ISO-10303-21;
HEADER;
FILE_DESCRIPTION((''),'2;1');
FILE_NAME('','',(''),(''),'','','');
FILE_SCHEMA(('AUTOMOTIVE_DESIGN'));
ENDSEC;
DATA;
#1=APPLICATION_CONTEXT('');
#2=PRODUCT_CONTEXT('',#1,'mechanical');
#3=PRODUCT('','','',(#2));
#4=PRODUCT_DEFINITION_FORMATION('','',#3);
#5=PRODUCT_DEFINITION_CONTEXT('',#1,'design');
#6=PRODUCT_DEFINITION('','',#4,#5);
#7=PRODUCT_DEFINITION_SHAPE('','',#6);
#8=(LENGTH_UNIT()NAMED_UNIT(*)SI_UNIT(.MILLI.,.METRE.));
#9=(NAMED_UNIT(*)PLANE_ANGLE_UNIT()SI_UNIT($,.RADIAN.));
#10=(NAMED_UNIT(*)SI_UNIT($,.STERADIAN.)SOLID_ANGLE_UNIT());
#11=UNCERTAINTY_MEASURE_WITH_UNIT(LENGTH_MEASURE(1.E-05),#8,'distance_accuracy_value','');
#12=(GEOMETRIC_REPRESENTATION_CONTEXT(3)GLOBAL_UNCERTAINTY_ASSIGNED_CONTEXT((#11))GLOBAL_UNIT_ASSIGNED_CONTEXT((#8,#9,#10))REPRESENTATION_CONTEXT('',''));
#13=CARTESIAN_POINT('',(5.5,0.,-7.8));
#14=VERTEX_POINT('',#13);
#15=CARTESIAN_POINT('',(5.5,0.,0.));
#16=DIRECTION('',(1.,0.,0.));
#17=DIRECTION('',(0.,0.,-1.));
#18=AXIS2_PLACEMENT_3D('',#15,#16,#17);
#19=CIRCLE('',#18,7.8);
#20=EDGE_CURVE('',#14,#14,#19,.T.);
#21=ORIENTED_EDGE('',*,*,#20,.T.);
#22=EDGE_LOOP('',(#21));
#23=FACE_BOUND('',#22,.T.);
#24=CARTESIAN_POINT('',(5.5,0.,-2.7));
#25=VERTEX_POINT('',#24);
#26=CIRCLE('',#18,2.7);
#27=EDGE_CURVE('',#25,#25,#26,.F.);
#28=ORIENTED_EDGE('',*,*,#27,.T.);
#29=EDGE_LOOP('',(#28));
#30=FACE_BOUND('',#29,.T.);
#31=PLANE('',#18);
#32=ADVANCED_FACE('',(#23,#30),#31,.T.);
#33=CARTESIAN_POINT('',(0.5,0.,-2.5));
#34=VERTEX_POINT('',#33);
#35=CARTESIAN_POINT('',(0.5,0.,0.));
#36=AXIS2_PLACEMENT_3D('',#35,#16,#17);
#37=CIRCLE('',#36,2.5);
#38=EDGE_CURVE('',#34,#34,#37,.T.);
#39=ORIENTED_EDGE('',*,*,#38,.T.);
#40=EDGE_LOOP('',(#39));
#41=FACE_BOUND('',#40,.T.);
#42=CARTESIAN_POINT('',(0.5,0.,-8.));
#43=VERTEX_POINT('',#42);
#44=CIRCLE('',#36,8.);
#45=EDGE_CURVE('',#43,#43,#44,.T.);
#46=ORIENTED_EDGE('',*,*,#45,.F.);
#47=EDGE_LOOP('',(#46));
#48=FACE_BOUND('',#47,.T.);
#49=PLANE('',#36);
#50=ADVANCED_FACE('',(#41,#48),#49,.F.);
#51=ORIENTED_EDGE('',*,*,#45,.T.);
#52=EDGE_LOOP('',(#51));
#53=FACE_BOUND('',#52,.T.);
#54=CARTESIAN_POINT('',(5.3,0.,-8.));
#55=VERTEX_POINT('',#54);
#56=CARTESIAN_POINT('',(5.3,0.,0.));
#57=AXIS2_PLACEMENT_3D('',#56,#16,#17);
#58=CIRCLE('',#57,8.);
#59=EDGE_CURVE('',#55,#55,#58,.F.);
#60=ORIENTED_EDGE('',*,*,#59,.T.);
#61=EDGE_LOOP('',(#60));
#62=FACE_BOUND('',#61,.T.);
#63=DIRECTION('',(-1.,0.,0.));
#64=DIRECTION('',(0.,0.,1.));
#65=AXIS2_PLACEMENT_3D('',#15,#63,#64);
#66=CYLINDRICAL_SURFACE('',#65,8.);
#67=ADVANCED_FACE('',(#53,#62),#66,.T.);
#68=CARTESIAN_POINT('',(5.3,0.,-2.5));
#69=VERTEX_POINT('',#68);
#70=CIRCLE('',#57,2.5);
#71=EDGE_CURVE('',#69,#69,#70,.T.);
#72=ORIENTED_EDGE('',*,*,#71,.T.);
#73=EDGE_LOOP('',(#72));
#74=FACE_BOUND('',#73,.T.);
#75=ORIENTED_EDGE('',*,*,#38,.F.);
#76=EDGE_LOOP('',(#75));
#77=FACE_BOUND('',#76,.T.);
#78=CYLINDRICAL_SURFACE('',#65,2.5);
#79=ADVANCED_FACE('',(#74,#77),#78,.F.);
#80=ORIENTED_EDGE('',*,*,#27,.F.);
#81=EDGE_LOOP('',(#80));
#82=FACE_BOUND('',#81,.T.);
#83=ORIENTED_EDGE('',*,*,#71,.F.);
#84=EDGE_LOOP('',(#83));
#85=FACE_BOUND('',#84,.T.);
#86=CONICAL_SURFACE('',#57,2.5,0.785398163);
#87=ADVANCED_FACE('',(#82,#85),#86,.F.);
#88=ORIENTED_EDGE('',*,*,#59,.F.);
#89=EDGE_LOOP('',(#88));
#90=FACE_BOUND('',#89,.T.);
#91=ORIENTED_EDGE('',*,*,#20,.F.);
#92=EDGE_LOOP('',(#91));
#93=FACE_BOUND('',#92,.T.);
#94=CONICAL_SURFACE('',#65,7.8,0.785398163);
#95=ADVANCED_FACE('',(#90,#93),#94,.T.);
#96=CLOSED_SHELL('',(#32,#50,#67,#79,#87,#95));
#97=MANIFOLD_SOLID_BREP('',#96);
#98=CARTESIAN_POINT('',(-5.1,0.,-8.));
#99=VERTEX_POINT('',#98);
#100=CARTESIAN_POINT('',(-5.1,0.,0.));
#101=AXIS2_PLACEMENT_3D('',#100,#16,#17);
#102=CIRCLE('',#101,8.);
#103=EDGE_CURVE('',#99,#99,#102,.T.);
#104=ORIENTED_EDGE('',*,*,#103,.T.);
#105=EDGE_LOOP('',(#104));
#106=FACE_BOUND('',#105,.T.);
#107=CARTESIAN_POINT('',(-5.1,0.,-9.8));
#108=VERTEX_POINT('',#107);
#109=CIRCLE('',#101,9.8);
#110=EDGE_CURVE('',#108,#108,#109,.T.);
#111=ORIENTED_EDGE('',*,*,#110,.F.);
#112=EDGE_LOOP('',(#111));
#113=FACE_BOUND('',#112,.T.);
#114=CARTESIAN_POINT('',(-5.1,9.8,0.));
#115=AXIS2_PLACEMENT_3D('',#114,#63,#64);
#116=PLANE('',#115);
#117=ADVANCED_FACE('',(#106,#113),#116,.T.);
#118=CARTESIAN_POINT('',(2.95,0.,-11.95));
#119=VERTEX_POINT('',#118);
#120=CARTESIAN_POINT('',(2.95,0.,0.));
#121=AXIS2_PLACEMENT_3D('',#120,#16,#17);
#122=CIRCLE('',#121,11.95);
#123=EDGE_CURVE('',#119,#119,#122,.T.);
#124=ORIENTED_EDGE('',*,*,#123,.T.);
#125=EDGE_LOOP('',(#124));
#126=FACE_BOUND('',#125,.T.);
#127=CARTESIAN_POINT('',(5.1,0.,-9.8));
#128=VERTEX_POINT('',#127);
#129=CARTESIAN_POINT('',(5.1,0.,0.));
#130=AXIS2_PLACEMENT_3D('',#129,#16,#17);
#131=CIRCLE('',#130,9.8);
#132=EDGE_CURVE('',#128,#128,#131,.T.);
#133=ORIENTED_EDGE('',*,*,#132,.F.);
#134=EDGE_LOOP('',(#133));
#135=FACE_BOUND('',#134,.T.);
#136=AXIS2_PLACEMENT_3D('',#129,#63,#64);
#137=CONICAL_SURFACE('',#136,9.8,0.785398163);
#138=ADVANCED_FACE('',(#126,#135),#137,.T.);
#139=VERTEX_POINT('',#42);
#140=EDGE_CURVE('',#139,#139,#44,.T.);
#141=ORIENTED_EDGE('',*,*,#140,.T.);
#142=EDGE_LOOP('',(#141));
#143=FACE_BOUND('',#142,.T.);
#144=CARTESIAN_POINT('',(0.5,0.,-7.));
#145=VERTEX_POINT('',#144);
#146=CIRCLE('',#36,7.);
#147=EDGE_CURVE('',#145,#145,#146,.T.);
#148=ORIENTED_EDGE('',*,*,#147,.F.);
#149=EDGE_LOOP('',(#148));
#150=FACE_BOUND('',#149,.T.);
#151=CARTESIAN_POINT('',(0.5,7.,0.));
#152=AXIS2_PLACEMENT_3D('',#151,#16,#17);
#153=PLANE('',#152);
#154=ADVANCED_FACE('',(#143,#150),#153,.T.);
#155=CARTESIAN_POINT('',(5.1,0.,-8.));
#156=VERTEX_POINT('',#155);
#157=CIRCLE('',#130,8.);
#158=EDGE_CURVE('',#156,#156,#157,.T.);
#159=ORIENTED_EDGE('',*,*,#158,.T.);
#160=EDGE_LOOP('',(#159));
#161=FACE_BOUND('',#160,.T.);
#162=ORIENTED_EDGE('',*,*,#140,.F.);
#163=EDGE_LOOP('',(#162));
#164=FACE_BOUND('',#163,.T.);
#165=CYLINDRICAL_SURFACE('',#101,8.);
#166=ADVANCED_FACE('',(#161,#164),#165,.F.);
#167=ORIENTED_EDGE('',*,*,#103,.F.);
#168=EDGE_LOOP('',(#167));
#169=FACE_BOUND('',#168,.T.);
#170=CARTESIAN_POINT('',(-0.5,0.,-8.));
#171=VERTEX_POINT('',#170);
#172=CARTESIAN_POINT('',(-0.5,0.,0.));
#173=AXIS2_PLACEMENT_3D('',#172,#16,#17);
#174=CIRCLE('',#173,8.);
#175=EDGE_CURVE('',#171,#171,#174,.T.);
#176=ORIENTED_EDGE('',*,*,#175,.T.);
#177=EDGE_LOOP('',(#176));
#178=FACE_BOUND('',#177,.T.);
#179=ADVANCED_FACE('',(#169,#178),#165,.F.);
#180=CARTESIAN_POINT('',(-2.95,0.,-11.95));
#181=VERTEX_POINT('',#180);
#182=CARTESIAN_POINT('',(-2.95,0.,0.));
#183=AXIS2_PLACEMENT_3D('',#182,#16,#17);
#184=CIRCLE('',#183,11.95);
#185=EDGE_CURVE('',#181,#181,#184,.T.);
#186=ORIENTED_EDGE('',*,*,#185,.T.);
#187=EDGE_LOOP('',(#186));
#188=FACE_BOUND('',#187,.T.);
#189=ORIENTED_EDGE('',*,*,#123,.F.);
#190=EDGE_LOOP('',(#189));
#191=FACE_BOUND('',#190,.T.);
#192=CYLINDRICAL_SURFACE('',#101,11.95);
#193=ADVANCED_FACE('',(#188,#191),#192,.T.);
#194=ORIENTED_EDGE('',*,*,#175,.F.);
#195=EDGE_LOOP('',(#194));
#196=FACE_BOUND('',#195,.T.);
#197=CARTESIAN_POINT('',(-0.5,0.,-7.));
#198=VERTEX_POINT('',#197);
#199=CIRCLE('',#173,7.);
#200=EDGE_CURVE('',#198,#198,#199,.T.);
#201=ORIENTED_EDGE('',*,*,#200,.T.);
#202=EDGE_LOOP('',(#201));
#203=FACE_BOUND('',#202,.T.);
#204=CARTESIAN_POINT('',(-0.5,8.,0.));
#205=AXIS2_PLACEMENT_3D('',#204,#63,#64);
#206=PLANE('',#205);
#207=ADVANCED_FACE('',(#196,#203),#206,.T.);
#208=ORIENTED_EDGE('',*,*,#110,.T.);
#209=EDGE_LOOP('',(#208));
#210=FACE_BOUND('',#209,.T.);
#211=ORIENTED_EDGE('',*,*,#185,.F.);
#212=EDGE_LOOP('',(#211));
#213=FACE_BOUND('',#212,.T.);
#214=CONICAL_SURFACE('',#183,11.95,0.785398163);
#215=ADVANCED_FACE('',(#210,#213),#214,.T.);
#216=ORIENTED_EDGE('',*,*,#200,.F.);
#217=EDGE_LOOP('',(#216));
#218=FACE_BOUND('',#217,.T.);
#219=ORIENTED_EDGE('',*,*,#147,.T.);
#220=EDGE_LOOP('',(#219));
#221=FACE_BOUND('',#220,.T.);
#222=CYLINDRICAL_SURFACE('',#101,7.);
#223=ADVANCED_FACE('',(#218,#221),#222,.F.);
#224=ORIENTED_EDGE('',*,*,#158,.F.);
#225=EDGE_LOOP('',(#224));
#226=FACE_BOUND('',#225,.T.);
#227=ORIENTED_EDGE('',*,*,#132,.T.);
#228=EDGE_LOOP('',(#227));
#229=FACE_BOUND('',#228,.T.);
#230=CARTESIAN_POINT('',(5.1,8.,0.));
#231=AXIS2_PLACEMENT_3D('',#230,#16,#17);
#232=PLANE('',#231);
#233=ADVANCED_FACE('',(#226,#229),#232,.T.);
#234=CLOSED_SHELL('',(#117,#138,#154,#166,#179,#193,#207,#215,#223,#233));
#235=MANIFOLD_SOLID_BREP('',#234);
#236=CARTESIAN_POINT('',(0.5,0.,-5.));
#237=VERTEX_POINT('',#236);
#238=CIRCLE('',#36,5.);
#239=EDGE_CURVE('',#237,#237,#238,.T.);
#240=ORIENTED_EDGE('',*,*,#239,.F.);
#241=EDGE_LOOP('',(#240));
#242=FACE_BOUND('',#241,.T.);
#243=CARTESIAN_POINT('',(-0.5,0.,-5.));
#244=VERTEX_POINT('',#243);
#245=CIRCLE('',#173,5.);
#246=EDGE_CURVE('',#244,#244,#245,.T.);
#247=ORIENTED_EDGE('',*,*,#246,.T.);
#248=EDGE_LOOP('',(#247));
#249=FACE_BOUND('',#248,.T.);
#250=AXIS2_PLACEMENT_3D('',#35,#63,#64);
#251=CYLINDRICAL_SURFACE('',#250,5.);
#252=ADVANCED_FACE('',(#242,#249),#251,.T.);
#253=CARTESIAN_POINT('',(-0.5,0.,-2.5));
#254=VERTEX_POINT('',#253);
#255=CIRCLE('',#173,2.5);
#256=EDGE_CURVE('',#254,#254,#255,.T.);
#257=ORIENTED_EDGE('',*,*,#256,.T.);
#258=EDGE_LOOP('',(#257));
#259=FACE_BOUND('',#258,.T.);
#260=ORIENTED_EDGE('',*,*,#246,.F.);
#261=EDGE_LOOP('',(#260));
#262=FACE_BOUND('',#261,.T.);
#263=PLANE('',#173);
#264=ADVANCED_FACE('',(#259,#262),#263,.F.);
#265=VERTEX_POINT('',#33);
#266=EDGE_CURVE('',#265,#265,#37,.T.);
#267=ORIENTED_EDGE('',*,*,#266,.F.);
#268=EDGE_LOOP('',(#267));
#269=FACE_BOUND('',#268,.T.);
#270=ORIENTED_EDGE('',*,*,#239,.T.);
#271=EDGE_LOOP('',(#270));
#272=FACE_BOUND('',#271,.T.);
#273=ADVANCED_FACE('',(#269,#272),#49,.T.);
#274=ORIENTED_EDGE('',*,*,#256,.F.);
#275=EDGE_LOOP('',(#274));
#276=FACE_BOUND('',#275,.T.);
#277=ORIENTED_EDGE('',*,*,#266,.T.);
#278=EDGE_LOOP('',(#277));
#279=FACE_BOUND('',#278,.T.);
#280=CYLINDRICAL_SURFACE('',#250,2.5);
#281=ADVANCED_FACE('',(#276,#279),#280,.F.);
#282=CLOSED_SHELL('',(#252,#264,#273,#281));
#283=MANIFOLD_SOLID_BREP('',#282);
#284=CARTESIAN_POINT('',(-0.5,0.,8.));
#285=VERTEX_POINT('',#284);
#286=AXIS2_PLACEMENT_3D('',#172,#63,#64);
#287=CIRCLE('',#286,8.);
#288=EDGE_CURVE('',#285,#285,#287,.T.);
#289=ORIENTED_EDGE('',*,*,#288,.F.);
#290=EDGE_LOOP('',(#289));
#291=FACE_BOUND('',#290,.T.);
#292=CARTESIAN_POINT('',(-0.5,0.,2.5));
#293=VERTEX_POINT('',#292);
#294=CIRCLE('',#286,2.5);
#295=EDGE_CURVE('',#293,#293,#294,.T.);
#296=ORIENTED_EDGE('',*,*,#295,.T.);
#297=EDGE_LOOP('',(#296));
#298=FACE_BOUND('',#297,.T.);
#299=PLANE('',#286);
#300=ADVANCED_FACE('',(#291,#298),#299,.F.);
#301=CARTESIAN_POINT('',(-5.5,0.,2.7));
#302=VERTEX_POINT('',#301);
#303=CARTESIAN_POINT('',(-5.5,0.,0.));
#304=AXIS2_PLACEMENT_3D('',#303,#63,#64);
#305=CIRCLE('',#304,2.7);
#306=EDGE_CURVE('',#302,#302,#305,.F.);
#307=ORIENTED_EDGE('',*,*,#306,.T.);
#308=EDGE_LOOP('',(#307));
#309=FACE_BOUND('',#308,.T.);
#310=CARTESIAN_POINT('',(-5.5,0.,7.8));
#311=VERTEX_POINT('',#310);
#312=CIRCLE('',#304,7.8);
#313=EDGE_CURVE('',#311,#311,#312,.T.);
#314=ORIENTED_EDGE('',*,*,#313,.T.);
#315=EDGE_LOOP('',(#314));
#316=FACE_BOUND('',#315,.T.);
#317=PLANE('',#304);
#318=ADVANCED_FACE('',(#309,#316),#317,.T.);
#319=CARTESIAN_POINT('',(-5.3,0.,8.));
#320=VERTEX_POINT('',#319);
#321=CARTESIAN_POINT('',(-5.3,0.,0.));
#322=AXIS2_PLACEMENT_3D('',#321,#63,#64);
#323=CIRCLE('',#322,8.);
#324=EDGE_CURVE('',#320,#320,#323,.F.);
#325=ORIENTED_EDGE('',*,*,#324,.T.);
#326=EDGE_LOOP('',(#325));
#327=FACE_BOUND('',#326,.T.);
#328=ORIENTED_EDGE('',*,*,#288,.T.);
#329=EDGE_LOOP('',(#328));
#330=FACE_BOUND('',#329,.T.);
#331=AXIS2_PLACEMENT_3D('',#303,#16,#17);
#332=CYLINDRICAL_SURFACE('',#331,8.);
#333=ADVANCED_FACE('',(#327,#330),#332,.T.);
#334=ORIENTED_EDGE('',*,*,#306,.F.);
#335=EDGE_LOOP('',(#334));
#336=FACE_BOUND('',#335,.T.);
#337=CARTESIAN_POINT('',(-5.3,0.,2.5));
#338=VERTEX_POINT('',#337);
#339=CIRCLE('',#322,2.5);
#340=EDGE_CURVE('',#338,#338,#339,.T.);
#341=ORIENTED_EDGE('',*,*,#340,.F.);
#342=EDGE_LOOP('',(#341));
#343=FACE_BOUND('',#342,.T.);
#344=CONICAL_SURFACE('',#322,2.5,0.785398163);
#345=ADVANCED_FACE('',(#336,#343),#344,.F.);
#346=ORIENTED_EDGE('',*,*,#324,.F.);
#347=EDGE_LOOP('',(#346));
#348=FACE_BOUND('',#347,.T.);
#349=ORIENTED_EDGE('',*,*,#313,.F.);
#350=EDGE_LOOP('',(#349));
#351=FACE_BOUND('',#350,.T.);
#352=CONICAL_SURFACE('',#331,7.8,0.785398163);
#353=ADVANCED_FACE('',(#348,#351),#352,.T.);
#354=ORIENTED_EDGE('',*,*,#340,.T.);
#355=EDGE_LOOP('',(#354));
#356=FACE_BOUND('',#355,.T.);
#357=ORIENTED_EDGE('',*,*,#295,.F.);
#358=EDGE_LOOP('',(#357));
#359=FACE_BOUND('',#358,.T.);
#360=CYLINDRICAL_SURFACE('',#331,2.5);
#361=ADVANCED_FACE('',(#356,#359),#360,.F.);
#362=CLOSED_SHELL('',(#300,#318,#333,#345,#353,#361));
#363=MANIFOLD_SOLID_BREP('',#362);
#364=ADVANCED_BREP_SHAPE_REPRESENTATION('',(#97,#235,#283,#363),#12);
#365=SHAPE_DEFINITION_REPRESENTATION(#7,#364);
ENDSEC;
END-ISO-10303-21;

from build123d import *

# Parameters (mm, degrees)
SKETCH2_R           = 8
SKETCH2_R_2         = 2.5
BEARING_DEPTH       = 5
SKETCH3_R           = 5
SKETCH3_R_2         = 2.5
BOSS_EXTRUDE1_DEPTH = 0.5
SKETCH4_R           = 8
SKETCH4_R_2         = 2.5
BOSS_EXTRUDE2_DEPTH = 5
CHAMFER1_SIZE       = 0.2
CHAMFER2_SIZE       = 0.2


with BuildPart() as part:
    # Sketch1 → Revolve1 (revolve)
    with BuildSketch(Plane.XY):
        Polygon((-0.5, 8), (-0.5, 7), (0.5, 7), (0.5, 8), (5.1, 8), (5.1, 9.8), (2.95, 11.95), (-2.95, 11.95), (-5.1, 9.8), (-5.1, 8), align=None)
    revolve(axis=Axis((-5.1, 0, 0), (1, 0, 0)))


with BuildPart() as body_2:
    # Sketch2 → bearing (new body)
    with BuildSketch(Plane(origin=(0.5, 0, 0), x_dir=(0, 0, -1), z_dir=(1, 0, 0))):
        Circle(SKETCH2_R)
        Circle(SKETCH2_R_2, mode=Mode.SUBTRACT)
    extrude(amount=BEARING_DEPTH)

    # Chamfer1
    chamfer1_edges = [body_2.edges().sort_by_distance(p)[0] for p in [
        (5.5, 0, 8),
        (5.5, 0, 2.5),
    ]]
    chamfer(chamfer1_edges, length=CHAMFER1_SIZE)


with BuildPart() as body_3:
    # Sketch3 → Boss-Extrude1 (new body, symmetric)
    with BuildSketch(Plane(origin=(0, 0, 0), x_dir=(0, 0, -1), z_dir=(1, 0, 0))):
        Circle(SKETCH3_R)
        Circle(SKETCH3_R_2, mode=Mode.SUBTRACT)
    extrude(amount=BOSS_EXTRUDE1_DEPTH, both=True)


with BuildPart() as body_4:
    # Sketch4 → Boss-Extrude2 (new body)
    with BuildSketch(Plane.ZY.offset(0.5)):
        Circle(SKETCH4_R)
        Circle(SKETCH4_R_2, mode=Mode.SUBTRACT)
    extrude(amount=BOSS_EXTRUDE2_DEPTH)

    # Chamfer2
    chamfer2_edges = [body_4.edges().sort_by_distance(p)[0] for p in [
        (-5.5, 0, -8),
        (-5.5, 0, -2.5),
    ]]
    chamfer(chamfer2_edges, length=CHAMFER2_SIZE)


solid = Compound([part.part, body_2.part, body_3.part, body_4.part])
